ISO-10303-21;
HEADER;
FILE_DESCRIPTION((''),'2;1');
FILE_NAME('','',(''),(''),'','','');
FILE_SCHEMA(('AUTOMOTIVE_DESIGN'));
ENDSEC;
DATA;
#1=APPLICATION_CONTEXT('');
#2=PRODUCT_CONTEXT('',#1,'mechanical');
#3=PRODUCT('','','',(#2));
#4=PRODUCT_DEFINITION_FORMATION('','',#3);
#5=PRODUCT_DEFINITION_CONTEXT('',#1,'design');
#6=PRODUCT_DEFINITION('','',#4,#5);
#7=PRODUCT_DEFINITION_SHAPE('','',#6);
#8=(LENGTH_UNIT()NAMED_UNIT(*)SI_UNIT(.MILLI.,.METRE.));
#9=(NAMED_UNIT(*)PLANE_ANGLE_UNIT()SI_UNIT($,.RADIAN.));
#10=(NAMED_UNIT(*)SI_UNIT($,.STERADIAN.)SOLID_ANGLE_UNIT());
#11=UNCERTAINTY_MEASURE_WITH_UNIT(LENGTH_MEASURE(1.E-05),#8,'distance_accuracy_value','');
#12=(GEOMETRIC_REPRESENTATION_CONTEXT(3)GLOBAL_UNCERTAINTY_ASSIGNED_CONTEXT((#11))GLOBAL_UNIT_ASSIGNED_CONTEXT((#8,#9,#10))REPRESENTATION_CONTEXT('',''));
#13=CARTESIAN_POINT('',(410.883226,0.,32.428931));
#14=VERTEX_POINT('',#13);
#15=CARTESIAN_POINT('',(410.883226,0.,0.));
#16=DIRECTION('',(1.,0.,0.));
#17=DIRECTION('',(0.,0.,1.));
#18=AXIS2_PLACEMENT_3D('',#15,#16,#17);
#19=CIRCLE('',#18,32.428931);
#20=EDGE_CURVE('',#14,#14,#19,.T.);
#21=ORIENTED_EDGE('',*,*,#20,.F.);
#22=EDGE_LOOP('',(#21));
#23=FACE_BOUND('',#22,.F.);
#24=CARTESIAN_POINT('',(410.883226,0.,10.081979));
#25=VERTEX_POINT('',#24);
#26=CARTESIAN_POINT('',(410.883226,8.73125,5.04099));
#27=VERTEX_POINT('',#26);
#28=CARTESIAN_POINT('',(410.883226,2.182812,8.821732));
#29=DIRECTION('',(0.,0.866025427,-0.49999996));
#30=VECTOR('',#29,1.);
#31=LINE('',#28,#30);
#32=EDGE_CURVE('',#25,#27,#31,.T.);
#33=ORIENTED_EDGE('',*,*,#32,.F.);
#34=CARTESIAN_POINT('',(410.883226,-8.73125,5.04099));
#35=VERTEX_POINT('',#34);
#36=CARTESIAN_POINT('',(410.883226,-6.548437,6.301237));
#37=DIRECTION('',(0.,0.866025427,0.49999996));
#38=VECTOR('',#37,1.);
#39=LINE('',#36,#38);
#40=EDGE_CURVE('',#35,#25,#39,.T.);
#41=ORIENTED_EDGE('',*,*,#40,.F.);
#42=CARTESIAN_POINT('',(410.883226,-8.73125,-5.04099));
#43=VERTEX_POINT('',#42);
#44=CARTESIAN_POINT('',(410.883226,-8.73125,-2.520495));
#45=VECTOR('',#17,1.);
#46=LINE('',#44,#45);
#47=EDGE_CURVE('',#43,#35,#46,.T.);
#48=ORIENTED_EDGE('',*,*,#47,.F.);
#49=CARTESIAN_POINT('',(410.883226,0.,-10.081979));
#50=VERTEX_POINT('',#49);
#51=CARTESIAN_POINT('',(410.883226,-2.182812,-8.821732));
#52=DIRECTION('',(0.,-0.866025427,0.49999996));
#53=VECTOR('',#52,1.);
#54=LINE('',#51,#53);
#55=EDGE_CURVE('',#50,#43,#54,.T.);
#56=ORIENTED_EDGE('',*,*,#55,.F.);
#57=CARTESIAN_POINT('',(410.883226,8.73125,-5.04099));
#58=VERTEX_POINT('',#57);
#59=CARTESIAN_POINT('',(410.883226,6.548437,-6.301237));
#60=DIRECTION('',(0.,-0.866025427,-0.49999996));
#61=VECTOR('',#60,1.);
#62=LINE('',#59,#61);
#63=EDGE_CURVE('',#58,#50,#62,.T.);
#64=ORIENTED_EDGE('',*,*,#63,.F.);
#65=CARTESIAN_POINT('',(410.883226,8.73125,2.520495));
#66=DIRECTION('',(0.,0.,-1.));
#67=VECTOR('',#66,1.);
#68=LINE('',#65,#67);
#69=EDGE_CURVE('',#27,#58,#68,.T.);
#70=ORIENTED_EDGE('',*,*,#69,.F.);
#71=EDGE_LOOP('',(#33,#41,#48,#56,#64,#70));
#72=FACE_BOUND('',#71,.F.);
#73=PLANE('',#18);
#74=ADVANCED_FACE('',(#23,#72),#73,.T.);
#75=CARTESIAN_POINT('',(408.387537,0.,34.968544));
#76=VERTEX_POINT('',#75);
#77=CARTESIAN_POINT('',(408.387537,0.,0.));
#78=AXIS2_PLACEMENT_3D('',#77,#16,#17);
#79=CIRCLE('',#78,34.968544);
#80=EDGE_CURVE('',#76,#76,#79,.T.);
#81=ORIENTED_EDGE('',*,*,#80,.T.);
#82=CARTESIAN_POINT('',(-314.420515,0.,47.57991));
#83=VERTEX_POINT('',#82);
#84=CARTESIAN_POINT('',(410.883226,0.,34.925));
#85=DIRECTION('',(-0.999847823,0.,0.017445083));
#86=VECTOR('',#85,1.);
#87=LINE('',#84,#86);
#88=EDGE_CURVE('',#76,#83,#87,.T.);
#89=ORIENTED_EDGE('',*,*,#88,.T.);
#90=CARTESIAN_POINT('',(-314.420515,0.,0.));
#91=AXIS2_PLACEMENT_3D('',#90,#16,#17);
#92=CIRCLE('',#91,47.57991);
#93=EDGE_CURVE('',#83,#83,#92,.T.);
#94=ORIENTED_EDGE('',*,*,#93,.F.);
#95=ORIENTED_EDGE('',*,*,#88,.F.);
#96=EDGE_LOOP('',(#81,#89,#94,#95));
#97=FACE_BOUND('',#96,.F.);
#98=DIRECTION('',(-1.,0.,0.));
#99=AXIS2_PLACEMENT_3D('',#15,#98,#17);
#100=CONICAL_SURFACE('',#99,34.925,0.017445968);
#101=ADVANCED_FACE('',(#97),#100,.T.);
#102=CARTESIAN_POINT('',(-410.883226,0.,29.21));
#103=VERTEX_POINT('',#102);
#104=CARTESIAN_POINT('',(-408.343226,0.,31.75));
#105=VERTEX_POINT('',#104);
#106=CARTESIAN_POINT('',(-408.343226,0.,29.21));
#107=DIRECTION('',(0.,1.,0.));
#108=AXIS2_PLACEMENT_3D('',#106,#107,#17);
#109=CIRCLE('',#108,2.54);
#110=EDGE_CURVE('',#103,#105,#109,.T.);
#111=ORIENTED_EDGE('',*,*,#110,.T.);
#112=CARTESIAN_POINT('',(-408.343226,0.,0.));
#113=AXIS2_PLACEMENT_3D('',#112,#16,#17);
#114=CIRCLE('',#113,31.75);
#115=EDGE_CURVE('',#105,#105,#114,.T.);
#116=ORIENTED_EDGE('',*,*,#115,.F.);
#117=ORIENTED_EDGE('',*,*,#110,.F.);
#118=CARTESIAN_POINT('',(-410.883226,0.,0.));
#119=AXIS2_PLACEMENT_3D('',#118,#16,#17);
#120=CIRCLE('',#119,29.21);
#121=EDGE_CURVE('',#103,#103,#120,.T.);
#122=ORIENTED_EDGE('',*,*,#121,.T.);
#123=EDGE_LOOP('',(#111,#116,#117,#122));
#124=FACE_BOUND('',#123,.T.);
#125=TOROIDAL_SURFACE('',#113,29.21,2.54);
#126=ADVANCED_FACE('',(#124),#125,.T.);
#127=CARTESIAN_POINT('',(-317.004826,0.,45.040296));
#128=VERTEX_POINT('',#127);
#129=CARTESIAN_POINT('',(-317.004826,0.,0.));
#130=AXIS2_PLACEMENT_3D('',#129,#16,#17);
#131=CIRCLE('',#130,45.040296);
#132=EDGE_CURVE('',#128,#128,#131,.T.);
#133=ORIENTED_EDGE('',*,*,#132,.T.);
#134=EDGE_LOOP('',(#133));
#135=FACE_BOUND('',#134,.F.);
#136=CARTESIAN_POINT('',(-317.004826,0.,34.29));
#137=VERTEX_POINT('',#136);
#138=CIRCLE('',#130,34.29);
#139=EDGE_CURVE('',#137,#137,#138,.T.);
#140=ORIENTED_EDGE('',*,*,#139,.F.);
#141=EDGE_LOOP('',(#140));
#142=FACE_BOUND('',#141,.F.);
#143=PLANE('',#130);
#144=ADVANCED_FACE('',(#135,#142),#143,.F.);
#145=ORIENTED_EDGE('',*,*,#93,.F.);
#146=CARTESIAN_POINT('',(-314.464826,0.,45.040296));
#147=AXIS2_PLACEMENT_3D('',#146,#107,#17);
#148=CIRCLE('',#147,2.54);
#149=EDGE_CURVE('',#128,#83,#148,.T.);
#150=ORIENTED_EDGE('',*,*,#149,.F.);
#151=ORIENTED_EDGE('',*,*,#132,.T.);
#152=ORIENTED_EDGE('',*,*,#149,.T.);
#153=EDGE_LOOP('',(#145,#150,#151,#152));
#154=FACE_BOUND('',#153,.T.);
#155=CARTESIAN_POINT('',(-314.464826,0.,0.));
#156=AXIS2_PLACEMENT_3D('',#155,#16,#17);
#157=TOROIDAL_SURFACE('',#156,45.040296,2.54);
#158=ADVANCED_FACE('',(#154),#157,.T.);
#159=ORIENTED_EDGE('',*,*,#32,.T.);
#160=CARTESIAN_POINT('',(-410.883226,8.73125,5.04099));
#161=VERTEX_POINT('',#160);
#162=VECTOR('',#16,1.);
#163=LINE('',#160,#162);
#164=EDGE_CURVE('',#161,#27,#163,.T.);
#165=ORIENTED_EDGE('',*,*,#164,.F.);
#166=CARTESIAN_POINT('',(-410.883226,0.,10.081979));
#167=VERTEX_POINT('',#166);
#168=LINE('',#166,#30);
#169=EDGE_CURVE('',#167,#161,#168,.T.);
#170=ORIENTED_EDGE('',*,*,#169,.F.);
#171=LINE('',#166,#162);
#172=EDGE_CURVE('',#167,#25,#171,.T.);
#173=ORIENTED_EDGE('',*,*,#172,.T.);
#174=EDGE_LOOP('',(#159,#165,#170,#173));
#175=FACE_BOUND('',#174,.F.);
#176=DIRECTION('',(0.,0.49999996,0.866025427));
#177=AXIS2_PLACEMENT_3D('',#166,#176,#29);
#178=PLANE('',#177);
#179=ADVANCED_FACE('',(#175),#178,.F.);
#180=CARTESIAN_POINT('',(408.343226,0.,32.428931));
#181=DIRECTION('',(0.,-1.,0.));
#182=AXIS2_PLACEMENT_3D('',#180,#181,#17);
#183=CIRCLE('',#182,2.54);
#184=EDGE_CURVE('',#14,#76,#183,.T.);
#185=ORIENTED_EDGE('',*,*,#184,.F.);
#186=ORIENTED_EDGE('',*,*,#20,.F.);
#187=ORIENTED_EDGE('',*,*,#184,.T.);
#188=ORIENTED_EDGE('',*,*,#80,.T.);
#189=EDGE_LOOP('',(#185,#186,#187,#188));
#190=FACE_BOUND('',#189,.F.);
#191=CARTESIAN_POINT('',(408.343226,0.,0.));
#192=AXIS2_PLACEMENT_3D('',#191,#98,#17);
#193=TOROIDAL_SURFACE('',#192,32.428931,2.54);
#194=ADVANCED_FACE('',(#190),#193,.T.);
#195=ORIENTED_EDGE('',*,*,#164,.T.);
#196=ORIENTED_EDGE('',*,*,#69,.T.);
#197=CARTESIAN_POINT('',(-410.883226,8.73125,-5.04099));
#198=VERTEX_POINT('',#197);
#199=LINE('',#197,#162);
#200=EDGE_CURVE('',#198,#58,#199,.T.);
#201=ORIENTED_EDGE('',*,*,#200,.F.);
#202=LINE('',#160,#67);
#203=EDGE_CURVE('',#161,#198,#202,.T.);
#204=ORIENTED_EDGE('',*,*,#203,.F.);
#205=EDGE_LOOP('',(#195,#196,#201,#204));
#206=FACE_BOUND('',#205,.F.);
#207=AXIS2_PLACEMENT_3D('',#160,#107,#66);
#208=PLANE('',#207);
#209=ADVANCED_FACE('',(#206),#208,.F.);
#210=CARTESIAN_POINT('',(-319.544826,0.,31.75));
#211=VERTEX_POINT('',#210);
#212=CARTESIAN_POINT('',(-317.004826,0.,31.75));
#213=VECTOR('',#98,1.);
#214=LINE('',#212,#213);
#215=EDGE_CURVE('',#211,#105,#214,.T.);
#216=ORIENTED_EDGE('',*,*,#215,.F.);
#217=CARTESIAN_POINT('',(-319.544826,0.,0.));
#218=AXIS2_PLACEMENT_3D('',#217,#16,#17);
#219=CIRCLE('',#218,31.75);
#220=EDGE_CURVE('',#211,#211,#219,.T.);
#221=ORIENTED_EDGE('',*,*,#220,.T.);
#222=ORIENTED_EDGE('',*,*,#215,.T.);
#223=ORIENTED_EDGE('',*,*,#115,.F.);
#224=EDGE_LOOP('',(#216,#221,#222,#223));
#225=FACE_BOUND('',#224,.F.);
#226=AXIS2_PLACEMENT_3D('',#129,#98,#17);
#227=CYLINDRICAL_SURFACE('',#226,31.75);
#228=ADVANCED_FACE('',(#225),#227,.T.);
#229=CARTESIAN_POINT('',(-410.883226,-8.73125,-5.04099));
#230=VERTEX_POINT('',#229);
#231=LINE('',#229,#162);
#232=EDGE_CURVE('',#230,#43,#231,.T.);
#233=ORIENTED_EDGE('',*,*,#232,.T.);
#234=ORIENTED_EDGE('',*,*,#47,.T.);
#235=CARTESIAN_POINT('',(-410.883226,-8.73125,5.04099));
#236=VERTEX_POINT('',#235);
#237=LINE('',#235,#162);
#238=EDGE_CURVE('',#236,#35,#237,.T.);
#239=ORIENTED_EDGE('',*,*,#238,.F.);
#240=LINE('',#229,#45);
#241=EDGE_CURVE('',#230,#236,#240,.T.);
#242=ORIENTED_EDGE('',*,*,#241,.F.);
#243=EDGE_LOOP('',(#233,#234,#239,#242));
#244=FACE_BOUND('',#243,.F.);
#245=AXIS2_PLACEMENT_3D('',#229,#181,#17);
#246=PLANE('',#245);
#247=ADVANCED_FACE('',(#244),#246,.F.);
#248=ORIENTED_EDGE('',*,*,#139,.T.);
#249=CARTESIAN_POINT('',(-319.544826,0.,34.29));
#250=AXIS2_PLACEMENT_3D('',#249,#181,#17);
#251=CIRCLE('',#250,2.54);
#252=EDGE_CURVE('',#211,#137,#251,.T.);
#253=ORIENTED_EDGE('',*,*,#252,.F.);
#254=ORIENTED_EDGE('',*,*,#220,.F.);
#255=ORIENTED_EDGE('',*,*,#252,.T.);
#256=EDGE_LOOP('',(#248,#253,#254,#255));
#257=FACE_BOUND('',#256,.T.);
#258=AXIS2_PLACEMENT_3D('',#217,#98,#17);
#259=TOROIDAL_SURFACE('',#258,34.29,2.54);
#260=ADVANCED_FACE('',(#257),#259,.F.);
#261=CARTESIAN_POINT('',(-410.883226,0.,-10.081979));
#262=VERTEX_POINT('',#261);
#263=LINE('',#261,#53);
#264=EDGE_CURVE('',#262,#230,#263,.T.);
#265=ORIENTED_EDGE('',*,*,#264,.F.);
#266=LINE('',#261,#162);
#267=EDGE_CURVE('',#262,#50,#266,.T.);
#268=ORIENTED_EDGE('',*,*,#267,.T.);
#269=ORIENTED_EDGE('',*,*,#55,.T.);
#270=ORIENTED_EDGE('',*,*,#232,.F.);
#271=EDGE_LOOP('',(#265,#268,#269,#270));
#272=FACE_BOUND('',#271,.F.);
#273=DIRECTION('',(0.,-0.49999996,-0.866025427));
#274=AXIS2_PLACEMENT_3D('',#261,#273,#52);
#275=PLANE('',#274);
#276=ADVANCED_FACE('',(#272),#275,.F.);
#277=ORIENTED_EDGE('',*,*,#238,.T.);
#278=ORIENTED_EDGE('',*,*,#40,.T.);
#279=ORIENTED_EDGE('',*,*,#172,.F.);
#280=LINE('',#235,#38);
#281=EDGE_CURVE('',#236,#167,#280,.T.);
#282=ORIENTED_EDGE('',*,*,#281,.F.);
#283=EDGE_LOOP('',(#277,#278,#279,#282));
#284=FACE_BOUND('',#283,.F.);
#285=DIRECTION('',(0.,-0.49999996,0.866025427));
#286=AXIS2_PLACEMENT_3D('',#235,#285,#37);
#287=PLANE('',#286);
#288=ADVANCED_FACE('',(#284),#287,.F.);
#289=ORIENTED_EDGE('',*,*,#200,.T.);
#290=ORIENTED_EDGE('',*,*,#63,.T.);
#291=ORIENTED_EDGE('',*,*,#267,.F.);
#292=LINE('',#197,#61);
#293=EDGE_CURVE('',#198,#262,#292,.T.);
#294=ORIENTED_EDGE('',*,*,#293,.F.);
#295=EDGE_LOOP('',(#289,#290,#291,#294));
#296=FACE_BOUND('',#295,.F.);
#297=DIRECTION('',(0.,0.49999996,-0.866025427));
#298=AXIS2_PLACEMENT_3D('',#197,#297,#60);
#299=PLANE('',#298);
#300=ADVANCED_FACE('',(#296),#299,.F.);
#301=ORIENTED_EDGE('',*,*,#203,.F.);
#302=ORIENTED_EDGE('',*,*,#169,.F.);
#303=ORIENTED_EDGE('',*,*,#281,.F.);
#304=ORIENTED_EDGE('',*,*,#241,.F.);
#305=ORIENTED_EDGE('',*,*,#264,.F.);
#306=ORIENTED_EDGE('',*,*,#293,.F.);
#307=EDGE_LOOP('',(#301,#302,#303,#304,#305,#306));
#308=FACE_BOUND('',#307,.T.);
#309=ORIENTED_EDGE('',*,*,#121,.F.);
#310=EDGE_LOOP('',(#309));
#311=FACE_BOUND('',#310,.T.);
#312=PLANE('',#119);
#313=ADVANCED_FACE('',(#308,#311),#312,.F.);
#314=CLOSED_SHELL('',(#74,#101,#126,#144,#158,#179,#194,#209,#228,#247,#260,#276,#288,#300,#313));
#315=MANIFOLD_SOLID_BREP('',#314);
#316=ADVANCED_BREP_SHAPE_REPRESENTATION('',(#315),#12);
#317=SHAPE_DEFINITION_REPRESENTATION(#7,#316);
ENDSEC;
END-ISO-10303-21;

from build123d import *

# Parameters (mm, degrees)
F0_W     = 59.7408
F0_H     = 31.75
F3_DEPTH = 821.767453
F4_R     = 2.54


with BuildPart() as f1:
    # F0 (on Front) → F1 (revolve)
    with BuildSketch(Plane.XZ):
        with Locations((-381.012826, 15.875)):
            Rectangle(F0_W, F0_H)
        Polygon((-351.142426, 31.75), (-351.142426, 0), (410.883226, 0), (410.883226, 34.925), (-317.004826, 47.625), (-317.004826, 31.75), align=None)
    revolve(axis=Axis((0, 0, 0), (1, 0, 0)))

    # F2 (on face) → F3 (cut, through all)
    with BuildSketch(Plane(origin=(-410.883226, 0, 0), x_dir=(0, -1, 0), z_dir=(-1, 0, 0))):
        Polygon((0, 10.081979), (-8.73125, 5.04099), (-8.73125, -5.04099), (0, -10.081979), (8.73125, -5.04099), (8.73125, 5.04099), align=None)
    extrude(amount=-F3_DEPTH, mode=Mode.SUBTRACT)

    # F4
    f4_edges = [f1.edges().sort_by_distance(p)[0] for p in [
        (-317.004826, 0, -47.625),
        (-410.883226, 0, -31.75),
        (410.883226, 0, -34.925),
        (-317.004826, 0, -31.75),
    ]]
    fillet(f4_edges, radius=F4_R)


solid = f1.part
